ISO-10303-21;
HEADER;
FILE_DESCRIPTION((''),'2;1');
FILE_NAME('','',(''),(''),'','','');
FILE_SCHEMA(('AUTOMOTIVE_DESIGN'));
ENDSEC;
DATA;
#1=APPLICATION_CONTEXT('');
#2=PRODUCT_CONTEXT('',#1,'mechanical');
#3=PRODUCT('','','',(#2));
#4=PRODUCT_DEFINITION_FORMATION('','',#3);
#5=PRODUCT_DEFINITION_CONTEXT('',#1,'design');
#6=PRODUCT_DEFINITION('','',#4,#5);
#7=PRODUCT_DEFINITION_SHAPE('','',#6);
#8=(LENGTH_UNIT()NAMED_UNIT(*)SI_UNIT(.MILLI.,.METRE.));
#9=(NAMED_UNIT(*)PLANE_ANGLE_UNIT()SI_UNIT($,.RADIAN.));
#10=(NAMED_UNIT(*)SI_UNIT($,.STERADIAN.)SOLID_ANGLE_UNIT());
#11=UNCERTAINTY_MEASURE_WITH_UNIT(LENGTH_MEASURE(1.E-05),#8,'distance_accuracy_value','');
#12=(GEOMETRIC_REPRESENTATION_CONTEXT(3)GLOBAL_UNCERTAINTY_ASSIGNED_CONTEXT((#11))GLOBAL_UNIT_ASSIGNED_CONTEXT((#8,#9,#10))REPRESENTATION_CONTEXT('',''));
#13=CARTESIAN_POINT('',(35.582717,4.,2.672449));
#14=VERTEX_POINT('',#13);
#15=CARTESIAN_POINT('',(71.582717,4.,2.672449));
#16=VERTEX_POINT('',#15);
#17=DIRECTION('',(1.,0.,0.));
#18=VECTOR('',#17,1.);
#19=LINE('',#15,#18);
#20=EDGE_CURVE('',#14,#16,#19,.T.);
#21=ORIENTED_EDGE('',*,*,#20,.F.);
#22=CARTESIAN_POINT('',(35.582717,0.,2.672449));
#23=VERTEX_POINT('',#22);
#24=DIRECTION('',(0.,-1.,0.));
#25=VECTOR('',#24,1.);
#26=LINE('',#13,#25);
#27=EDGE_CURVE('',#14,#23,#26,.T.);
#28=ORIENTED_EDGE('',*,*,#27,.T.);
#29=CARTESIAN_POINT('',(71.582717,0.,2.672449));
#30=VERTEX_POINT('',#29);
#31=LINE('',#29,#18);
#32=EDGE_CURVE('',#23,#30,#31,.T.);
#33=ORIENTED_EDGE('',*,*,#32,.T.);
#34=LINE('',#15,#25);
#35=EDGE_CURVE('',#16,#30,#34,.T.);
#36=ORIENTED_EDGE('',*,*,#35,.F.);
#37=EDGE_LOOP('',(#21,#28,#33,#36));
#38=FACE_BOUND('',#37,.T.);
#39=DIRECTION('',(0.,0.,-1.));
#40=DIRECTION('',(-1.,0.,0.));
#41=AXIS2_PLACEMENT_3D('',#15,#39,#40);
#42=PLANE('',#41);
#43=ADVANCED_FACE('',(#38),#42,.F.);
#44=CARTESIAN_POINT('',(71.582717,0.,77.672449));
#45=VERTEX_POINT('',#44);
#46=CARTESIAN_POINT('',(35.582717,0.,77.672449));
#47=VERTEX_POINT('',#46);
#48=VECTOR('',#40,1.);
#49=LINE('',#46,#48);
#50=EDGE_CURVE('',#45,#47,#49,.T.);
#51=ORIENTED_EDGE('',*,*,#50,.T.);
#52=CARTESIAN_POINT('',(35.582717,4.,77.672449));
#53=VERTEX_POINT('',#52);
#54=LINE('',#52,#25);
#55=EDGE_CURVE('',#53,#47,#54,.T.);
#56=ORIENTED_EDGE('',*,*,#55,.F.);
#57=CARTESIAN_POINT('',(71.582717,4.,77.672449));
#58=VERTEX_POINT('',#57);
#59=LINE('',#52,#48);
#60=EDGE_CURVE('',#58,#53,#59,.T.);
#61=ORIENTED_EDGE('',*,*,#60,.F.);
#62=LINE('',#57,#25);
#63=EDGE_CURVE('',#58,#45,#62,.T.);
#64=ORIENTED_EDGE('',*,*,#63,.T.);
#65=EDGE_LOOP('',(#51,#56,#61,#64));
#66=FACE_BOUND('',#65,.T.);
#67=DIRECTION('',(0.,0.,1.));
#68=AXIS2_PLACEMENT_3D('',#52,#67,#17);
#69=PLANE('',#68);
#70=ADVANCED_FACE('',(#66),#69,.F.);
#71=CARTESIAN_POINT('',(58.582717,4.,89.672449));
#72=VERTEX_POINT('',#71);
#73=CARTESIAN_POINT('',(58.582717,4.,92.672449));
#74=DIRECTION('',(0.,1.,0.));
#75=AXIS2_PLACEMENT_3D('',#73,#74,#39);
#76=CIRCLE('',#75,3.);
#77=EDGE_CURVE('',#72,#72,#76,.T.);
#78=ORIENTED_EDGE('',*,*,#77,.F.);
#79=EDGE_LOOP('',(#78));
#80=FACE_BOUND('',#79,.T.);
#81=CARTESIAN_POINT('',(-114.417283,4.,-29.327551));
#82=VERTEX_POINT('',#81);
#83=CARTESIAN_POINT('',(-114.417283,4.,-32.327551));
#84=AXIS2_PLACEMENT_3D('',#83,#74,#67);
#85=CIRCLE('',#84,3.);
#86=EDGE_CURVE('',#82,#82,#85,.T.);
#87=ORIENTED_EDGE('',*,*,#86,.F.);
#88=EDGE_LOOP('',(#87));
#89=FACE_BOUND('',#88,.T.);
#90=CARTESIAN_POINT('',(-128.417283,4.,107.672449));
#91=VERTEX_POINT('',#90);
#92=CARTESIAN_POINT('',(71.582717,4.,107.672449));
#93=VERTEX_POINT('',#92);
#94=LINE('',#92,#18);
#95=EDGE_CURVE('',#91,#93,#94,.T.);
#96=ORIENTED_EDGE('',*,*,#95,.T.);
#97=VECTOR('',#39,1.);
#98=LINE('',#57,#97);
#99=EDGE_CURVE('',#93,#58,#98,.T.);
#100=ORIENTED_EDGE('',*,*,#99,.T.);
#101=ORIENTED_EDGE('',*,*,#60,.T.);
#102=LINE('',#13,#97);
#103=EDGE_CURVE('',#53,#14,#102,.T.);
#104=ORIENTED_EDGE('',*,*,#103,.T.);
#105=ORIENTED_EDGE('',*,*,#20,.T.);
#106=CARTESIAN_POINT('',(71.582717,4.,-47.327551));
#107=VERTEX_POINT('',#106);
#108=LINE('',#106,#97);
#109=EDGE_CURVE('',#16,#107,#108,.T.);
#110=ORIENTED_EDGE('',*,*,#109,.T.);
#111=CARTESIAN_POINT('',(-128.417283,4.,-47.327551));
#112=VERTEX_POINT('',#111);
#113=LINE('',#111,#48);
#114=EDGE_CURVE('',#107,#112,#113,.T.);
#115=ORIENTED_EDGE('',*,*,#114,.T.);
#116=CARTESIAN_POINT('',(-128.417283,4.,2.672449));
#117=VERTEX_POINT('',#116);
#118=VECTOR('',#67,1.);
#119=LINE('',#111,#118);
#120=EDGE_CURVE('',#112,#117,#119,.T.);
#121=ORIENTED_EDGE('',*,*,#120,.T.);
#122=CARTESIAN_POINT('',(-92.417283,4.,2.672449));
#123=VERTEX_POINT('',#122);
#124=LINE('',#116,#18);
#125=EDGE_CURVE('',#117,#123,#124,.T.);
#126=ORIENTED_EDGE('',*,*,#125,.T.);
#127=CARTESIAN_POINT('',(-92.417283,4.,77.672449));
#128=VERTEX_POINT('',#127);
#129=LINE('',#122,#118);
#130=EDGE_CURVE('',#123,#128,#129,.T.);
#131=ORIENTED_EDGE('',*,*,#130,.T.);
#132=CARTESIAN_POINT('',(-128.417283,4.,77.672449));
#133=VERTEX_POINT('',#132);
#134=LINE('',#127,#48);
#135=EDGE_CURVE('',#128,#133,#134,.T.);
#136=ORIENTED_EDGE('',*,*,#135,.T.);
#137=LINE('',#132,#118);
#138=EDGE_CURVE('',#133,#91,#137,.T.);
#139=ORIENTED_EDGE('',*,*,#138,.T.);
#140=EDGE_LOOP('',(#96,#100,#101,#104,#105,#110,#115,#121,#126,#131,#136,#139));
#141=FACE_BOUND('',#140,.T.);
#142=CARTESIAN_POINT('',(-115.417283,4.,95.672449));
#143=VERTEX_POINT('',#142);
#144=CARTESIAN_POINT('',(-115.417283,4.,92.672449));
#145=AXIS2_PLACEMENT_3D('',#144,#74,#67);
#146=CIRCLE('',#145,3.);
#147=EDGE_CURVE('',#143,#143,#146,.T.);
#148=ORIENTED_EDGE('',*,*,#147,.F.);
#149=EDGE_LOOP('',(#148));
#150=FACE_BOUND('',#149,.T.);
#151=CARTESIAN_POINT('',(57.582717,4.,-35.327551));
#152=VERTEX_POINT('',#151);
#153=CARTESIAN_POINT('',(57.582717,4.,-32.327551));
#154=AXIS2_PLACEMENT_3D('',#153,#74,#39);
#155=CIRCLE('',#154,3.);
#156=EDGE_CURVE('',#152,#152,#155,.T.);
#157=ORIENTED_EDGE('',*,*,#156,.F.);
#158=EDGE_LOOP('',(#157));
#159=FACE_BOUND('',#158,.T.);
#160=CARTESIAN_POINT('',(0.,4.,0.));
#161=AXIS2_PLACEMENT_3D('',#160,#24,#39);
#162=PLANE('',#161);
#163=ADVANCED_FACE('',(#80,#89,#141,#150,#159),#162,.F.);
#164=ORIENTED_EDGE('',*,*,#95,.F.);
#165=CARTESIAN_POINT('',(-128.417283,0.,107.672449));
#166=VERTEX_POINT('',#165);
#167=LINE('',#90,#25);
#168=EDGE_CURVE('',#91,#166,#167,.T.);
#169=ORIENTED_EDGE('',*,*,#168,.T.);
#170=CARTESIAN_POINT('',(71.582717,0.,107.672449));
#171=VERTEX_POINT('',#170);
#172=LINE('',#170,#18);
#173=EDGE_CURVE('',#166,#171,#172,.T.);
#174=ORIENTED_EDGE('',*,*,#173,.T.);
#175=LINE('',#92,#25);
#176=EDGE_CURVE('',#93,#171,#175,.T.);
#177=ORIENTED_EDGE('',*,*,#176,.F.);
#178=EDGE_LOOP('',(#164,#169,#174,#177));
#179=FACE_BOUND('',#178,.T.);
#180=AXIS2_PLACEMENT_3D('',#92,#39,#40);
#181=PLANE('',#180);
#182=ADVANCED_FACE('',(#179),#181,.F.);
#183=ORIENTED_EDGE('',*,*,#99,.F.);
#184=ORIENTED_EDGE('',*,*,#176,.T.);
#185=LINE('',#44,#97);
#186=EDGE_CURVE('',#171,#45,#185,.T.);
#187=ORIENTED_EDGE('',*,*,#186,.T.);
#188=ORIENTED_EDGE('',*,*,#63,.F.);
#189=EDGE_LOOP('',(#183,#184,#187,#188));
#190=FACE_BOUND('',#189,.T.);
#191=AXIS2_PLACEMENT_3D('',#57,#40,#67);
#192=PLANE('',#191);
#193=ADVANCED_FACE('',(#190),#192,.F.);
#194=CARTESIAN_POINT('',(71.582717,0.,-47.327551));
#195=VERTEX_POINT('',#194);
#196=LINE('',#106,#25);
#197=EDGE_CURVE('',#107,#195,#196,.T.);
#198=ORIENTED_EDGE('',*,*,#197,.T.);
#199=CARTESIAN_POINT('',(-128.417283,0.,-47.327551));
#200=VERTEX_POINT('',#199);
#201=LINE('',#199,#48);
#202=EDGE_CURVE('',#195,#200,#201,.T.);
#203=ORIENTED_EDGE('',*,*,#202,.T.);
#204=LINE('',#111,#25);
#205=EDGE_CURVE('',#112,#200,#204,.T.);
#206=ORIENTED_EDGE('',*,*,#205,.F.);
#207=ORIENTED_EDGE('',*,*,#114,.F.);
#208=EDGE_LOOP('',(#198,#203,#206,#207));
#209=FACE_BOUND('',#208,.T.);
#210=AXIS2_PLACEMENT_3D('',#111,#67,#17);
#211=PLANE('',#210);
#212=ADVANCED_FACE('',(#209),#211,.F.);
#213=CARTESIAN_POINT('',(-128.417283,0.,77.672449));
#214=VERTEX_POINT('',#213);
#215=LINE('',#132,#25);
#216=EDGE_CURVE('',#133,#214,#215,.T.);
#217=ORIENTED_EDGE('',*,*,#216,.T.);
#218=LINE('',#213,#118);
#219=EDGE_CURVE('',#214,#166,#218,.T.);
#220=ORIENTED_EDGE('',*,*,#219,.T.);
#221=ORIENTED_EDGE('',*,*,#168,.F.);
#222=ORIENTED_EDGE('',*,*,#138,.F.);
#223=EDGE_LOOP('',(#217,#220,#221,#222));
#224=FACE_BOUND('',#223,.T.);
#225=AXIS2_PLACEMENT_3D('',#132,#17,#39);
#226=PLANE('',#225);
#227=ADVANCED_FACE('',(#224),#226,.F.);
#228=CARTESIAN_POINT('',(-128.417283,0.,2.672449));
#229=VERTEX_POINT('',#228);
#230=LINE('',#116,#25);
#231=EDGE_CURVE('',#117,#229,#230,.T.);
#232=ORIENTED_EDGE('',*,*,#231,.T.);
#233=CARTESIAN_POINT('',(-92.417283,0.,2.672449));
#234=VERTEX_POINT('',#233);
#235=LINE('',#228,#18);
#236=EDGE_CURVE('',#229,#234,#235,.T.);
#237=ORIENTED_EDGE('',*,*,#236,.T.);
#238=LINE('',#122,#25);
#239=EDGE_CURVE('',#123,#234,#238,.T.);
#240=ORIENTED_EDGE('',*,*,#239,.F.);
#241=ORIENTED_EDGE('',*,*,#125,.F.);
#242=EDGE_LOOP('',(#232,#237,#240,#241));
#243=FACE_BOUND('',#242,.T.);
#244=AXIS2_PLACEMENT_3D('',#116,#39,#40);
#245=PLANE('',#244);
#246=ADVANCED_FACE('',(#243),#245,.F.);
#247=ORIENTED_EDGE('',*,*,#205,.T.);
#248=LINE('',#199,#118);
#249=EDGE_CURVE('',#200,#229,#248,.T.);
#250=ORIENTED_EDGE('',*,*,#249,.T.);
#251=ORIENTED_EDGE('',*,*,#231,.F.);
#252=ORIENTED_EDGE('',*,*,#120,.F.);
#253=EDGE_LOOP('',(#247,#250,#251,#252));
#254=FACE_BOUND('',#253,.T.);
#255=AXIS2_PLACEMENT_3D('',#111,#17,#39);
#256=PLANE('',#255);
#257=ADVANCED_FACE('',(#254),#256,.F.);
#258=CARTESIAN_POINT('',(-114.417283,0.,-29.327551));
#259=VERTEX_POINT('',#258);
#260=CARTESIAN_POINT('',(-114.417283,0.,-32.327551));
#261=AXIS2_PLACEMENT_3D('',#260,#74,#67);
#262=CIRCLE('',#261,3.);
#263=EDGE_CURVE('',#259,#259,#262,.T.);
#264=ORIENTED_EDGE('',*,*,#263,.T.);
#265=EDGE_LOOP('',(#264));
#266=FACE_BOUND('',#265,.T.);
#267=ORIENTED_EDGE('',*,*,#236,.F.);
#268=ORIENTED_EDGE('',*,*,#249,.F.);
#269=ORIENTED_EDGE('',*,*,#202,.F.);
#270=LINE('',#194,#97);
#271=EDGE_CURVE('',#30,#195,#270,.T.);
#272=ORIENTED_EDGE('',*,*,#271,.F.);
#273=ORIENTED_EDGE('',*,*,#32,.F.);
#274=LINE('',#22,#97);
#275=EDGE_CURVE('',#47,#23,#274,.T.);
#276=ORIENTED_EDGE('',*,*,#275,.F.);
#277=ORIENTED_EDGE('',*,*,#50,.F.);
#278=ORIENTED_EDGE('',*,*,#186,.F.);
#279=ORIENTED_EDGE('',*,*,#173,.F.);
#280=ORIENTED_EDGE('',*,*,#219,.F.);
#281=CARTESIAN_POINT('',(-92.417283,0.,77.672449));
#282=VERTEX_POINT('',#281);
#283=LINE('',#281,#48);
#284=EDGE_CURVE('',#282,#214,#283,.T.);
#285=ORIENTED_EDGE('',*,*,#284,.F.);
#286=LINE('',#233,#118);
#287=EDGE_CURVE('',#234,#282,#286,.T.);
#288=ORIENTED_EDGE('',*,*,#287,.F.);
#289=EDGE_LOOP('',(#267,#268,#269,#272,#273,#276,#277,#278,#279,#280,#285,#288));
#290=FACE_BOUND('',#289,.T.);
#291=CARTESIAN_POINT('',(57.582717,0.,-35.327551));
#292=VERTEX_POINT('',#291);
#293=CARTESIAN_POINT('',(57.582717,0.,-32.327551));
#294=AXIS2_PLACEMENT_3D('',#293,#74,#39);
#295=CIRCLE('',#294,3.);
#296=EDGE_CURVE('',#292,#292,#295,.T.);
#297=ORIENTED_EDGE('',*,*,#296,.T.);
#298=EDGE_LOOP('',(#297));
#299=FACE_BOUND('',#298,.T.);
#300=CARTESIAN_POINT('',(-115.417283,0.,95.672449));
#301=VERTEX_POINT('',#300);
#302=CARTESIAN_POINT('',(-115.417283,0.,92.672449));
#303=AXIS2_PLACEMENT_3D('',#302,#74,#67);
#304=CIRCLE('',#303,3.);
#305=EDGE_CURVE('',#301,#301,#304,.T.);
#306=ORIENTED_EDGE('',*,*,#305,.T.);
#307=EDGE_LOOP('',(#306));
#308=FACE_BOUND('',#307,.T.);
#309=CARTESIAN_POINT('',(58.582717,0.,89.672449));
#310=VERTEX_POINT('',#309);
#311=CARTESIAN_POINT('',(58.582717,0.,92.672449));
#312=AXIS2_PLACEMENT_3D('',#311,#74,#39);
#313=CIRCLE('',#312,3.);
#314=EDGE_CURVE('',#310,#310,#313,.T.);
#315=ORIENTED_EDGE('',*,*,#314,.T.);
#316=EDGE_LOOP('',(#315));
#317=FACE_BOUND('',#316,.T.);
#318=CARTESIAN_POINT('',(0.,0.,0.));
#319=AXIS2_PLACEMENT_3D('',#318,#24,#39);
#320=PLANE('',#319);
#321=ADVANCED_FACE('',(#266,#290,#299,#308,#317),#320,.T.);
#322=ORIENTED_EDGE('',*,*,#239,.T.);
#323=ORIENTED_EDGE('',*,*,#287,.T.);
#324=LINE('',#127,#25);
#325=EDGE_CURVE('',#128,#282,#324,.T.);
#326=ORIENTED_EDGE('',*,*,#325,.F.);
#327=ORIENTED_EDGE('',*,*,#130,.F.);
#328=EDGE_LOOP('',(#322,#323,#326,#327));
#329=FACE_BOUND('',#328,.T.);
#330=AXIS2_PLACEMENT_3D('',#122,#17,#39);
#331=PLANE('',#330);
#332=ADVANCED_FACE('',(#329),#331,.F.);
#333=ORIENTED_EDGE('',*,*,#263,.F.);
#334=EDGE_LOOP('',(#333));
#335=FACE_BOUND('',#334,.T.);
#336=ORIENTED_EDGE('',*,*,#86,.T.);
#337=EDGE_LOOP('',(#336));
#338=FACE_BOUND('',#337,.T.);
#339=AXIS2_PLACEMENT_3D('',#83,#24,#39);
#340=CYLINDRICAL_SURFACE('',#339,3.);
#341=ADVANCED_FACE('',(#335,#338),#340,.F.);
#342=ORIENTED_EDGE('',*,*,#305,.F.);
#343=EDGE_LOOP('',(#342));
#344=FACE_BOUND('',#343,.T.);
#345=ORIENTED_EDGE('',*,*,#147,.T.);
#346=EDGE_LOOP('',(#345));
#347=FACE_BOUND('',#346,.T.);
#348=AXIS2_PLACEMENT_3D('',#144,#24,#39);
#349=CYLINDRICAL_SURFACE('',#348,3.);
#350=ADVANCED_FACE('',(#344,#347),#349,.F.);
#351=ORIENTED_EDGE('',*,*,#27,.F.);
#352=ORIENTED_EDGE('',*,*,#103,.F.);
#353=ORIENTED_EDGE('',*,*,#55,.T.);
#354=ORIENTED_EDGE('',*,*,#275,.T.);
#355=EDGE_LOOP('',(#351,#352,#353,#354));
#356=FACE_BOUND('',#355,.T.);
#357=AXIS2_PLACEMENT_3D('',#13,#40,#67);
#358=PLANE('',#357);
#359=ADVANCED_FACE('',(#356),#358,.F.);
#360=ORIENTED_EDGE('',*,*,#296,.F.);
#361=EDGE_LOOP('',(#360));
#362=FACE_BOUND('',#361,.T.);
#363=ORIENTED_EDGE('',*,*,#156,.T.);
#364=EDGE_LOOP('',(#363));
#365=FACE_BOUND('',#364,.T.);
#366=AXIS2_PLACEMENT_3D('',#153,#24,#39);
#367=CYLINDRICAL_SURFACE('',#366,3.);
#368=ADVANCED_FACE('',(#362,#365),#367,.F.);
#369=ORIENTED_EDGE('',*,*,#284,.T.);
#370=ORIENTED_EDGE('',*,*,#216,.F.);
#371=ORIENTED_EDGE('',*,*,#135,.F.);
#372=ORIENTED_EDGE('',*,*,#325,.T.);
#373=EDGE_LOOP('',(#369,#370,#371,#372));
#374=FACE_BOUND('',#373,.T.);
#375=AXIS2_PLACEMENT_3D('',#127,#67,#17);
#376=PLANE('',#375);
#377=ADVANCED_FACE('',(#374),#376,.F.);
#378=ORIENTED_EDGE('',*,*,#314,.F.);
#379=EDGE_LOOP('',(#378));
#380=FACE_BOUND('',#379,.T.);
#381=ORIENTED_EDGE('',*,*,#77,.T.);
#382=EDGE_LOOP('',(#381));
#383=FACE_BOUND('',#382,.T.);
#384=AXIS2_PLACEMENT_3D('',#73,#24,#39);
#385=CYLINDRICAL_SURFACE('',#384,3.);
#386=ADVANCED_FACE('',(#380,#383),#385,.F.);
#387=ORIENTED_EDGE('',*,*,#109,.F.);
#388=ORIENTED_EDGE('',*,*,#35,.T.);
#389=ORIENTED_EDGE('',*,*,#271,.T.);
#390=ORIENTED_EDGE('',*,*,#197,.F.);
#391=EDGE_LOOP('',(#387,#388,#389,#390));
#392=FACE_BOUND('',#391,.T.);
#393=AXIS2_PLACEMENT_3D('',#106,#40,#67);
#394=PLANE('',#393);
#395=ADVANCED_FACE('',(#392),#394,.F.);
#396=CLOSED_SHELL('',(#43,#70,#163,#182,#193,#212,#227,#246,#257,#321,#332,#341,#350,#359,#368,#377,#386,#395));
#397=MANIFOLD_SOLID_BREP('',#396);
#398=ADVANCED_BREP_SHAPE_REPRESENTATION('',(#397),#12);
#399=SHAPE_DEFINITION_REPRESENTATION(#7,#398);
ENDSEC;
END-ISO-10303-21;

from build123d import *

# Parameters (mm, degrees)
SKETCH1_R           = 3
BOSS_EXTRUDE1_DEPTH = 4


with BuildPart() as part:
    # Sketch1 → Boss-Extrude1 (new body)
    with BuildSketch(Plane(origin=(0, 0, 0), x_dir=(1, 0, 0), z_dir=(0, 1, 0))):
        Polygon((-128.41728333, -2.6724492), (-92.41728333, -2.6724492), (-92.41728333, -77.6724492), (-128.41728333, -77.6724492), (-128.41728333, -107.6724492), (71.58271667, -107.6724492), (71.58271667, -77.6724492), (35.58271667, -77.6724492), (35.58271667, -2.6724492), (71.58271667, -2.6724492), (71.58271667, 47.3275508), (-128.41728333, 47.3275508), align=None)
        with Locations(Location((-115.41728333, -92.6724492, 0), (0, 0, 270))):
            Circle(SKETCH1_R, mode=Mode.SUBTRACT)
        with Locations(Location((58.58271667, -92.6724492, 0), (0, 0, 90))):
            Circle(SKETCH1_R, mode=Mode.SUBTRACT)
        with Locations(Location((-114.41728333, 32.3275508, 0), (0, 0, 270))):
            Circle(SKETCH1_R, mode=Mode.SUBTRACT)
        with Locations(Location((57.58271667, 32.3275508, 0), (0, 0, 90))):
            Circle(SKETCH1_R, mode=Mode.SUBTRACT)
    extrude(amount=BOSS_EXTRUDE1_DEPTH)


solid = part.part
